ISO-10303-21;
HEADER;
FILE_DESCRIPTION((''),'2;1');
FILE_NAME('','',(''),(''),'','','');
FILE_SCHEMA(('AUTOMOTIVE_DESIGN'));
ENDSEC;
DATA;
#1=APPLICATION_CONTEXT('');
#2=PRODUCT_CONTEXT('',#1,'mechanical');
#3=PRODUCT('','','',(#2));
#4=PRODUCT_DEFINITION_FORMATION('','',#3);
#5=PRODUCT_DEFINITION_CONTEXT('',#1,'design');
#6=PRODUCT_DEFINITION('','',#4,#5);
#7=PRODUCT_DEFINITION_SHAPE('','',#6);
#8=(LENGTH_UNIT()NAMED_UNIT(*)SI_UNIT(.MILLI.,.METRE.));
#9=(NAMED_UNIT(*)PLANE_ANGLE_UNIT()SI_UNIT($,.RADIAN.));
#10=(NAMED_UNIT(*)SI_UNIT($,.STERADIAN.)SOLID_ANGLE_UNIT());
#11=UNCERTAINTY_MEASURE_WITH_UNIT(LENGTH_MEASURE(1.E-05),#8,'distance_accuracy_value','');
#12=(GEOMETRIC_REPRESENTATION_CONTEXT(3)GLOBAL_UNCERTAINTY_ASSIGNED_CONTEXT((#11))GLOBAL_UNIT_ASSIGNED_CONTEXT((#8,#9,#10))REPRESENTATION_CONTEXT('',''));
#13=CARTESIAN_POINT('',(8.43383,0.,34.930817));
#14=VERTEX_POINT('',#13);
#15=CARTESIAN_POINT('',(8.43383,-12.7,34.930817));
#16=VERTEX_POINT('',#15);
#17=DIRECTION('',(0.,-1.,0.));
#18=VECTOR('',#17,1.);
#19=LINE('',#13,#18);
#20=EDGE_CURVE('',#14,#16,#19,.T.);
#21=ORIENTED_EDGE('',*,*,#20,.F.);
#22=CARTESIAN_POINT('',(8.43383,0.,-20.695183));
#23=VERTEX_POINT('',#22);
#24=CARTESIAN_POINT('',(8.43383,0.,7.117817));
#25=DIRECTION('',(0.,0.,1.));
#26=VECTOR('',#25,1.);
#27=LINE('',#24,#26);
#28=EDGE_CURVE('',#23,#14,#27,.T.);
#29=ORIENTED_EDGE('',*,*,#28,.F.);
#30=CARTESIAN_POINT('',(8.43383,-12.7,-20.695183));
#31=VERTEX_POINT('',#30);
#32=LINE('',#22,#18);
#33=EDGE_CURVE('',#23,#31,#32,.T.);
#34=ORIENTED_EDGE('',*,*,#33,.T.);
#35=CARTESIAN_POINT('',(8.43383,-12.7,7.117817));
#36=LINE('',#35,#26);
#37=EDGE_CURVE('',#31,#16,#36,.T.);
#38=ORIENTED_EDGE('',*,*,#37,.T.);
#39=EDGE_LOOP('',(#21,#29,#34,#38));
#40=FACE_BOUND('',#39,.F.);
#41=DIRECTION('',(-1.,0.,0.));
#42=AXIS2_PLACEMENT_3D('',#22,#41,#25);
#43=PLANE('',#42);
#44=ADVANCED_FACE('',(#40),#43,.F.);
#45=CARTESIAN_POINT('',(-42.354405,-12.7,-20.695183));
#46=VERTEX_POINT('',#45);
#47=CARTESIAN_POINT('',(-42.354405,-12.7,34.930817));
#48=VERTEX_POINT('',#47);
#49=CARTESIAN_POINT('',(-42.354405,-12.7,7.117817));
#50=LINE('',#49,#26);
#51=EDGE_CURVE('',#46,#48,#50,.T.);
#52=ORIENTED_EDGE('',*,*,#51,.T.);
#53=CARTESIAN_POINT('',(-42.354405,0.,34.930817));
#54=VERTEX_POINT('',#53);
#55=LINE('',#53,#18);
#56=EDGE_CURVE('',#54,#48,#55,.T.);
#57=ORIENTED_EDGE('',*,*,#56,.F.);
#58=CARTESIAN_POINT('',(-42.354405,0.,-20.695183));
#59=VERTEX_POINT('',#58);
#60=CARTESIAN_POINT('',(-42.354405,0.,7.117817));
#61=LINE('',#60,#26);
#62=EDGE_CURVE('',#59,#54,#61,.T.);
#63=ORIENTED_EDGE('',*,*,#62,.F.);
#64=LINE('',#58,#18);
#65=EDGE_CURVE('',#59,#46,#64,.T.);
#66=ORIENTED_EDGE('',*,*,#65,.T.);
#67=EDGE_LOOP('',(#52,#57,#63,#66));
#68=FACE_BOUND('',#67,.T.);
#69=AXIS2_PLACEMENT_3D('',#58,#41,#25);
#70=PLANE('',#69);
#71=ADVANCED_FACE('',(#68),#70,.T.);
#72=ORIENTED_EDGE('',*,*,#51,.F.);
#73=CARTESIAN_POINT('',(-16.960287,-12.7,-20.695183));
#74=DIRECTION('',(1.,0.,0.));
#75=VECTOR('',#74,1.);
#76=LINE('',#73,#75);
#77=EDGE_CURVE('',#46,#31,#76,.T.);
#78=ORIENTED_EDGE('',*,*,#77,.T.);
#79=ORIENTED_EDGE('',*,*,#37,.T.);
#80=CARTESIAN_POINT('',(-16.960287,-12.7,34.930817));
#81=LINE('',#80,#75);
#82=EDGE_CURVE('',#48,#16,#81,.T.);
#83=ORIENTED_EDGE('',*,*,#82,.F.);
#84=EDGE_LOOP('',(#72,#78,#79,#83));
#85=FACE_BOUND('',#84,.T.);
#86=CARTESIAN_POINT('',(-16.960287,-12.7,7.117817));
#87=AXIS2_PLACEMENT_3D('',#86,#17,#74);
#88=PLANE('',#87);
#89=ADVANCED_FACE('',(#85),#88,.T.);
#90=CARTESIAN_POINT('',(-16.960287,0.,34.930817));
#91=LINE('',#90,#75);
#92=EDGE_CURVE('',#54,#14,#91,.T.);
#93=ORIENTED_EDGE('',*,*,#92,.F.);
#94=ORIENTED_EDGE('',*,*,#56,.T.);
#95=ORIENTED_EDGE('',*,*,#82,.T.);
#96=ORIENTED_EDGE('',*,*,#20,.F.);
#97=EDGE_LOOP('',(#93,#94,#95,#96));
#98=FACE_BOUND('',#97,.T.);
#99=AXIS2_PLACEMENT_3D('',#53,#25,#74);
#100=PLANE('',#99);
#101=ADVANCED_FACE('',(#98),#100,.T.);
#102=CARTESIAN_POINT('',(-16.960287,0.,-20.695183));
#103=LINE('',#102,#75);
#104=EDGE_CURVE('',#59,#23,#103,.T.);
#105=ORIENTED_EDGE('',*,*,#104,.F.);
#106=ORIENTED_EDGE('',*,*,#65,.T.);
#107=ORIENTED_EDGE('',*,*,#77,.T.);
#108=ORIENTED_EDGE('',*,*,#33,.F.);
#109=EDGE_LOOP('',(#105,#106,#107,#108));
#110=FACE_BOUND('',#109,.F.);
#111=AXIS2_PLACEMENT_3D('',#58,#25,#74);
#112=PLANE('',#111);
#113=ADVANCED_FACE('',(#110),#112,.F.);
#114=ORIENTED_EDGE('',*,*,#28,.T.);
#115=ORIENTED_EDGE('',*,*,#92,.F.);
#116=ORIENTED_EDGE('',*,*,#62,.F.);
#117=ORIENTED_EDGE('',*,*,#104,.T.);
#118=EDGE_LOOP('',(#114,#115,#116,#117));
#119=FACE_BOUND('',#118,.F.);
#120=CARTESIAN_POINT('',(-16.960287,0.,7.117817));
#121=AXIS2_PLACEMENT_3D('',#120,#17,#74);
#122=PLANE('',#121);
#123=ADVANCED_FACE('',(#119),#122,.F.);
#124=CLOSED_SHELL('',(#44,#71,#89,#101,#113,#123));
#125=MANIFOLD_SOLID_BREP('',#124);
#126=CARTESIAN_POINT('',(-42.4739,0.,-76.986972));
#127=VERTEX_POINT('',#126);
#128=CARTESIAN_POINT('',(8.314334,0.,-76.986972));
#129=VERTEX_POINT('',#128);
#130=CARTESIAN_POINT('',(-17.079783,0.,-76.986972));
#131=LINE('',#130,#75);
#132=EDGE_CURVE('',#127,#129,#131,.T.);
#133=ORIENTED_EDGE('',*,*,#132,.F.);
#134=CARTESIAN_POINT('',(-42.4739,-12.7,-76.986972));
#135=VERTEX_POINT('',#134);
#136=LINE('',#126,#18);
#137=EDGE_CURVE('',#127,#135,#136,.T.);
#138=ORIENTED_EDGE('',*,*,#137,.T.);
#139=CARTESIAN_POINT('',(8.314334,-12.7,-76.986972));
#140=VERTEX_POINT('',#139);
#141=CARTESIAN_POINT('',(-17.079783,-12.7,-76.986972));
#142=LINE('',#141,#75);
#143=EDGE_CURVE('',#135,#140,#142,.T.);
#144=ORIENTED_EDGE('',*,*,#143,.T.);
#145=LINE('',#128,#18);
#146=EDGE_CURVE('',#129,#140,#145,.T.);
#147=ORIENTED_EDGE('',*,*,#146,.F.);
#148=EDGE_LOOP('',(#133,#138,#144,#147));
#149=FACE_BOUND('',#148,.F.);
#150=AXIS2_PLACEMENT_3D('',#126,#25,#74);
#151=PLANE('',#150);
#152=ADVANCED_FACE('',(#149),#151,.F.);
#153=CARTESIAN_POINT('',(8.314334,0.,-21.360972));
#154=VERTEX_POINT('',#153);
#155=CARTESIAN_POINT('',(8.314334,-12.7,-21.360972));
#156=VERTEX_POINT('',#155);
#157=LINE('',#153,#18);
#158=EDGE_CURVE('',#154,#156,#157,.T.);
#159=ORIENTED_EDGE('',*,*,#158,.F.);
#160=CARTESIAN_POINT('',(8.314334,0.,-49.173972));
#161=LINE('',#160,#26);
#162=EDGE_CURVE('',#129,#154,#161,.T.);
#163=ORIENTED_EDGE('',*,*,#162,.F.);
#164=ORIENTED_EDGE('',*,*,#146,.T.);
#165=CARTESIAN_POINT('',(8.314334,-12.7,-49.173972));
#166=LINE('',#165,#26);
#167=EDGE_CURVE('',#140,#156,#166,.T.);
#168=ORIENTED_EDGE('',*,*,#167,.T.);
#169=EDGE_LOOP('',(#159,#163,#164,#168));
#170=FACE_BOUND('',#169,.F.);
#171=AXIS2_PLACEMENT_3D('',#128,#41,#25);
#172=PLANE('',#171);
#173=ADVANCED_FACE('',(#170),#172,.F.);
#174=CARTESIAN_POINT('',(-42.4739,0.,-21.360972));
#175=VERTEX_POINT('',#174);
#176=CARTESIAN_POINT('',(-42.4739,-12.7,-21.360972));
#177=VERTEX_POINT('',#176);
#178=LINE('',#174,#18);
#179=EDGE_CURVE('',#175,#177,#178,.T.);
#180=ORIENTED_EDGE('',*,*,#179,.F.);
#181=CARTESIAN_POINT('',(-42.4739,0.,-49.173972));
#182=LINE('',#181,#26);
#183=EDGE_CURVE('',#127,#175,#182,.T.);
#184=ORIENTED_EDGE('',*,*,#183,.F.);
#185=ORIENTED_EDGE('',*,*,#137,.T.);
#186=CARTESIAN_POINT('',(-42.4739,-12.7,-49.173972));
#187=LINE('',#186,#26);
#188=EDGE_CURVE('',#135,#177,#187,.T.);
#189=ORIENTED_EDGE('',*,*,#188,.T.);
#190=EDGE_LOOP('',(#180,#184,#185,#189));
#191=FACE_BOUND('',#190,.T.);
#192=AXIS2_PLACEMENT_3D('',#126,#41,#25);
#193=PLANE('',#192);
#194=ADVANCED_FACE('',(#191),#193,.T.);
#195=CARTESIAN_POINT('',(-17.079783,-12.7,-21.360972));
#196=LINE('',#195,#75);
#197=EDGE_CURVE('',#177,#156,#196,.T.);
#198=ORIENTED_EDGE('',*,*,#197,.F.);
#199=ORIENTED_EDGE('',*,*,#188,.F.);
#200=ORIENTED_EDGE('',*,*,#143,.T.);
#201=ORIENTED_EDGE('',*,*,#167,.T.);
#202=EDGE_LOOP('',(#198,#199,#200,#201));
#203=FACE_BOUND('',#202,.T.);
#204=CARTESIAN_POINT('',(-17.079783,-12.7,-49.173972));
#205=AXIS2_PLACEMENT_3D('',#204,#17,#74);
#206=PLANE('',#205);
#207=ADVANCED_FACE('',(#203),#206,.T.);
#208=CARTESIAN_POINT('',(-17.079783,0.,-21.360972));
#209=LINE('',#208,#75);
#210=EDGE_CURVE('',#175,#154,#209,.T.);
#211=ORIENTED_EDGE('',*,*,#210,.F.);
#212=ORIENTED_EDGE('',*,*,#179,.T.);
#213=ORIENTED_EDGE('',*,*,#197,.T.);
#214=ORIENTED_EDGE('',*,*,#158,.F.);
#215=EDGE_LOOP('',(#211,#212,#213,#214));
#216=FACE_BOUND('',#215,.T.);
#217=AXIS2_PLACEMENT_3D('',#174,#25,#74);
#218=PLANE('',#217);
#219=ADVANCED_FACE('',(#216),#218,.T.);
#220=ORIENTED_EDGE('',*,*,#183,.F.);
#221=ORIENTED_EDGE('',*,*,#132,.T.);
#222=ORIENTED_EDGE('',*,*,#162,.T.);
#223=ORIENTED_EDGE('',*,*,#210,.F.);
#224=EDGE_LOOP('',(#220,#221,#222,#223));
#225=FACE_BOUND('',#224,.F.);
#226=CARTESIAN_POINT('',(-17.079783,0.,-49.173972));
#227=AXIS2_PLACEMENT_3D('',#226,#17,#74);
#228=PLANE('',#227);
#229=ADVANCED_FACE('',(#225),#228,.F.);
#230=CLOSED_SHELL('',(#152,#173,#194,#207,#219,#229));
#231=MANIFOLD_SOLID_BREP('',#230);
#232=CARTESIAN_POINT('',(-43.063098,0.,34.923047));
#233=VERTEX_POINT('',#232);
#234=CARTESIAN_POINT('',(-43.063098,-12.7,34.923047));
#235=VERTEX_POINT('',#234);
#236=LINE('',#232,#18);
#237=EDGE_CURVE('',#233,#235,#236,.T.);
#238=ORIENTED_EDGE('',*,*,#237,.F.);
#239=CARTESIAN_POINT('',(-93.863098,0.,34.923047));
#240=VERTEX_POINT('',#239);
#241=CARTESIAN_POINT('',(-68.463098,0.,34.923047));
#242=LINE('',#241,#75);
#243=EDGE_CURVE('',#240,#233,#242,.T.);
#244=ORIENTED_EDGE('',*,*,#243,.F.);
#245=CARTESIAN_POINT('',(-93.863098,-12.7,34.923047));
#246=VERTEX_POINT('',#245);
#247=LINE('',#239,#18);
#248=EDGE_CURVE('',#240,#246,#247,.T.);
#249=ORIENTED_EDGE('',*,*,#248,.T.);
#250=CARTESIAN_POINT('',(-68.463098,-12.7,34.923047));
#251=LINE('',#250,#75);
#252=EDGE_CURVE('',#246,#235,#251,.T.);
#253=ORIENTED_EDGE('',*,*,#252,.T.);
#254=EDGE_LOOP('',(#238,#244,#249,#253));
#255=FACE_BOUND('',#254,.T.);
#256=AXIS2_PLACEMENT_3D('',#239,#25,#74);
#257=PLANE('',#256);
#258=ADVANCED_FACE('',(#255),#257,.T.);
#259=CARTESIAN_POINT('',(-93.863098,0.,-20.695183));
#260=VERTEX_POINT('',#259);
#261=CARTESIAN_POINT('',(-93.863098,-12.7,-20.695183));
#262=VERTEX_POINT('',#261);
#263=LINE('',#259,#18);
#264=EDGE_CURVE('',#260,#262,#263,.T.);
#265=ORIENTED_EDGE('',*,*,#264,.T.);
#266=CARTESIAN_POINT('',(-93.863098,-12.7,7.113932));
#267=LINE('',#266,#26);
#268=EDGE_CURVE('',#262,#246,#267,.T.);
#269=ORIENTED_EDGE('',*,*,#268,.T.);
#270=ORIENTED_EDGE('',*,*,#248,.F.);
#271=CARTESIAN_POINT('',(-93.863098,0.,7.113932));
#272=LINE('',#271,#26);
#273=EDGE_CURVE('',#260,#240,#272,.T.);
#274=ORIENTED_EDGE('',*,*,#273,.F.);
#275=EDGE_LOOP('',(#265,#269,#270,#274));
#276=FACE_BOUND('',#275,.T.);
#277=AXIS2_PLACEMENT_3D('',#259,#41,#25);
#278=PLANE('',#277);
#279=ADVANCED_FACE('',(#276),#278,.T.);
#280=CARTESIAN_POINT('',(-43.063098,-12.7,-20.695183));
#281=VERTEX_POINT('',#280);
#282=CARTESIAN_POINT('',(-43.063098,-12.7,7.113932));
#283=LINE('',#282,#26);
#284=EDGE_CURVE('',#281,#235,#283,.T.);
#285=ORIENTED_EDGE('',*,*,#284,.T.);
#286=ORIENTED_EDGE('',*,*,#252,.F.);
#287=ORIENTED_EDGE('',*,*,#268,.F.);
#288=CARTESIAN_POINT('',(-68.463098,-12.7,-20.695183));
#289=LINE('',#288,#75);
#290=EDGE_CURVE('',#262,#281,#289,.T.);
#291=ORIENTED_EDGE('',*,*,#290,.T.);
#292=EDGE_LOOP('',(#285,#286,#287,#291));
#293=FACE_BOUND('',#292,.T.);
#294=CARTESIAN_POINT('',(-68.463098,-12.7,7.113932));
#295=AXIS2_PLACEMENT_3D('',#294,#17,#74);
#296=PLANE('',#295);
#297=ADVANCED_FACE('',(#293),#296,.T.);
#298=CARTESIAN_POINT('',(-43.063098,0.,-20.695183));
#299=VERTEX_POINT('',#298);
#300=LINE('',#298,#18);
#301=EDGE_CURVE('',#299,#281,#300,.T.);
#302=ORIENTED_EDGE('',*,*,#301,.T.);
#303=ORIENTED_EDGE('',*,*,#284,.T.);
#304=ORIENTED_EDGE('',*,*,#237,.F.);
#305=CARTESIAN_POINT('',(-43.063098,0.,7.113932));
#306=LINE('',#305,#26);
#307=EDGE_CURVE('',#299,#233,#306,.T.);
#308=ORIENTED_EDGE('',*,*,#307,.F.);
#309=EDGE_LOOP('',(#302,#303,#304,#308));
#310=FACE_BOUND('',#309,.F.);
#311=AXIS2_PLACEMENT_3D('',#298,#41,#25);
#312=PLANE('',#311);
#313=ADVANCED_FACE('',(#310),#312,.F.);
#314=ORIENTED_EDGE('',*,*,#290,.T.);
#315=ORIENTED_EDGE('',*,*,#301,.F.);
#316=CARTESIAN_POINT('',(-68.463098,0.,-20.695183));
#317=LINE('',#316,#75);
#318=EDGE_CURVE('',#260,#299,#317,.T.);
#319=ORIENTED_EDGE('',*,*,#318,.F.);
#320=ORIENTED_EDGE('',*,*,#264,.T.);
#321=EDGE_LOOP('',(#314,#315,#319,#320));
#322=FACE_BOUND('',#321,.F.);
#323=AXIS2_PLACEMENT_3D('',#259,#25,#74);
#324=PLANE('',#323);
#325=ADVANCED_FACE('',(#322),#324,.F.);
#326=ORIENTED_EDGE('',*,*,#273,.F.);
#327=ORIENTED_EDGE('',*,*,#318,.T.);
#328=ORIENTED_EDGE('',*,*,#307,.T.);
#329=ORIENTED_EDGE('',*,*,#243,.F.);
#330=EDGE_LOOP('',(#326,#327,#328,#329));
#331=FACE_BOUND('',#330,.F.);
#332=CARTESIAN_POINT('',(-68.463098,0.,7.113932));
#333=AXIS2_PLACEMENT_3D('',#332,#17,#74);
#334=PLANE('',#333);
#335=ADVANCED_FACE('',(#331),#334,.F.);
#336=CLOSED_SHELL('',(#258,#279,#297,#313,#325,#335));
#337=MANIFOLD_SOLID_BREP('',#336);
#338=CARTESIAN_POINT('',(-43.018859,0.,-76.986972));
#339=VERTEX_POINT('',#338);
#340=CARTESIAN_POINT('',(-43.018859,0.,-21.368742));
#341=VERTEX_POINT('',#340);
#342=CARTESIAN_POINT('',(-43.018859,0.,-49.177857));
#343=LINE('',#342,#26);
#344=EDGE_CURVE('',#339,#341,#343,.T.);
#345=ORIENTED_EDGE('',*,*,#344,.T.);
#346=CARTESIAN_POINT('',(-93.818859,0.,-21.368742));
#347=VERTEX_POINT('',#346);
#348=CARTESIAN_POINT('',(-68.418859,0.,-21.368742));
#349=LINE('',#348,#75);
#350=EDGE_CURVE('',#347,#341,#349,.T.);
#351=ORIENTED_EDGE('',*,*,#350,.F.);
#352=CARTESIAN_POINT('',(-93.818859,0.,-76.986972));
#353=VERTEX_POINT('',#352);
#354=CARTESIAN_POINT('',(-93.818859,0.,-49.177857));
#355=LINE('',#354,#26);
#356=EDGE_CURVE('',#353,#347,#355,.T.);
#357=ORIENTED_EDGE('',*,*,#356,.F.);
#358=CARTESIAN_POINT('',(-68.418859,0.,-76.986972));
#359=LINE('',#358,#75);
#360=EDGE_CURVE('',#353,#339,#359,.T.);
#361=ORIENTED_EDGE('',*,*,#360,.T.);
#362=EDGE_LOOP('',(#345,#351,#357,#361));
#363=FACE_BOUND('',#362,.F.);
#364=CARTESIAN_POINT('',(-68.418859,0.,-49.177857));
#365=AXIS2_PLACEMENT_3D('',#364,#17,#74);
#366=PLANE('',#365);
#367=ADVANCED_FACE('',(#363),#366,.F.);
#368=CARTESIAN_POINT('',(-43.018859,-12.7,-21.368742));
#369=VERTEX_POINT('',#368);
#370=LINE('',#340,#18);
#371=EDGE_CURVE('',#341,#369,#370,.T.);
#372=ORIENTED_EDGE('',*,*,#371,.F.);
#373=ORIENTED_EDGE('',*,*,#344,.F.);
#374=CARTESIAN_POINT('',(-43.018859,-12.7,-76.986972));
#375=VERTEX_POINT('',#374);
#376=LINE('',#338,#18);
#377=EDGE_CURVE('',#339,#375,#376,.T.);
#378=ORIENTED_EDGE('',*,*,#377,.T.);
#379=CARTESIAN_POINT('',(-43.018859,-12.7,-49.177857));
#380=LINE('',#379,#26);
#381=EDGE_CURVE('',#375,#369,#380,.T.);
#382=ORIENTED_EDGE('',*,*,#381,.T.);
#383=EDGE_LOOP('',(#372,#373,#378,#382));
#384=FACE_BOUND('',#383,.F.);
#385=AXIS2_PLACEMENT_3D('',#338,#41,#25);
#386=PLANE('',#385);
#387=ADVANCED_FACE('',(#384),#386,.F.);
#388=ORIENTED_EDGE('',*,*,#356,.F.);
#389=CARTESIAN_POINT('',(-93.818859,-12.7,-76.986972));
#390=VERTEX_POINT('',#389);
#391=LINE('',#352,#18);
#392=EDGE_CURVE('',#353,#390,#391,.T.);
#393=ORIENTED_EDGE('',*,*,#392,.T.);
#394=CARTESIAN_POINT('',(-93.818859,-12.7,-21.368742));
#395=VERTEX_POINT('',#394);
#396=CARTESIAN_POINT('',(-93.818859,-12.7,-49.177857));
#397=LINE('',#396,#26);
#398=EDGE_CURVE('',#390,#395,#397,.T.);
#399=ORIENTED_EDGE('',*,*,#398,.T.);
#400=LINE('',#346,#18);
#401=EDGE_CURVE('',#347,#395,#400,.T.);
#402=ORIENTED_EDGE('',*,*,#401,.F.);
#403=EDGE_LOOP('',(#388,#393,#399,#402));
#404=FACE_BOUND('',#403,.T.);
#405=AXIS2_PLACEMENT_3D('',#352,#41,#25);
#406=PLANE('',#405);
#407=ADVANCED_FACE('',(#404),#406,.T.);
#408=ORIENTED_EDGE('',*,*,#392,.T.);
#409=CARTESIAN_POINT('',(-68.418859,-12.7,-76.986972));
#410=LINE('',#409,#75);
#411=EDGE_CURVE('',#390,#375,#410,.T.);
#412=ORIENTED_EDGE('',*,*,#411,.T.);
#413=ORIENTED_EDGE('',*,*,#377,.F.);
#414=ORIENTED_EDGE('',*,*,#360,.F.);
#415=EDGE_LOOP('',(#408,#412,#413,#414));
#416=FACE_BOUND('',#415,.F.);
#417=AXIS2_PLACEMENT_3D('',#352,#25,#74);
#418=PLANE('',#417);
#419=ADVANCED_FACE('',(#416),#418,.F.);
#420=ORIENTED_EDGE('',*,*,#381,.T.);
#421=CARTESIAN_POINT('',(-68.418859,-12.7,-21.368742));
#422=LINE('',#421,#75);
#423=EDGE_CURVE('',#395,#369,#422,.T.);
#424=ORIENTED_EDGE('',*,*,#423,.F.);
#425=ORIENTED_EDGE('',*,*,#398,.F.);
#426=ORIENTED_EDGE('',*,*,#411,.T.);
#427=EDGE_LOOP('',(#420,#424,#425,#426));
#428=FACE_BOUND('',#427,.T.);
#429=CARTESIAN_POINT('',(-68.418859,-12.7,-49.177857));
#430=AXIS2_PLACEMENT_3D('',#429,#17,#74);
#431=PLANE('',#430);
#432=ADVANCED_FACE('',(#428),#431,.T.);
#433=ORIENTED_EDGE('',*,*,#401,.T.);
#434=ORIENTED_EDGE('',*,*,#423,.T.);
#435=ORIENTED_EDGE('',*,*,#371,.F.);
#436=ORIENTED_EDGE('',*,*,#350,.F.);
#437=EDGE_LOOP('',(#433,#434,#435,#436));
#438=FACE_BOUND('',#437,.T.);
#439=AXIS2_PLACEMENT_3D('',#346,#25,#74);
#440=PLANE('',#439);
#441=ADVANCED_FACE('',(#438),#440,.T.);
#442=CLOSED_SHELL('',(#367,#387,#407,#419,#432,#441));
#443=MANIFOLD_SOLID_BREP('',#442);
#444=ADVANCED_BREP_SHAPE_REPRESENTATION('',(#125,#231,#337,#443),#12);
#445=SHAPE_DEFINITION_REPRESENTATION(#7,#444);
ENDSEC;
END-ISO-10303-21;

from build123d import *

# Parameters (mm, degrees)
F0_W     = 50.788235
F0_H     = 55.626
F0_W_2   = 50.8
F0_H_2   = 55.61823
F1_DEPTH = 12.7


with BuildPart() as f1:
    # F0 (on Front) → F1 (new body)
    with BuildSketch(Plane.XZ):
        with Locations((-16.960287, 7.117817)):
            Rectangle(F0_W, F0_H)
        with Locations((-68.463098, 7.113932)):
            Rectangle(F0_W_2, F0_H_2)
        with Locations((-17.079783, -49.173972)):
            Rectangle(F0_W, F0_H)
        with Locations((-68.418859, -49.177857)):
            Rectangle(F0_W_2, F0_H_2)
    extrude(amount=F1_DEPTH)


solid = f1.part
